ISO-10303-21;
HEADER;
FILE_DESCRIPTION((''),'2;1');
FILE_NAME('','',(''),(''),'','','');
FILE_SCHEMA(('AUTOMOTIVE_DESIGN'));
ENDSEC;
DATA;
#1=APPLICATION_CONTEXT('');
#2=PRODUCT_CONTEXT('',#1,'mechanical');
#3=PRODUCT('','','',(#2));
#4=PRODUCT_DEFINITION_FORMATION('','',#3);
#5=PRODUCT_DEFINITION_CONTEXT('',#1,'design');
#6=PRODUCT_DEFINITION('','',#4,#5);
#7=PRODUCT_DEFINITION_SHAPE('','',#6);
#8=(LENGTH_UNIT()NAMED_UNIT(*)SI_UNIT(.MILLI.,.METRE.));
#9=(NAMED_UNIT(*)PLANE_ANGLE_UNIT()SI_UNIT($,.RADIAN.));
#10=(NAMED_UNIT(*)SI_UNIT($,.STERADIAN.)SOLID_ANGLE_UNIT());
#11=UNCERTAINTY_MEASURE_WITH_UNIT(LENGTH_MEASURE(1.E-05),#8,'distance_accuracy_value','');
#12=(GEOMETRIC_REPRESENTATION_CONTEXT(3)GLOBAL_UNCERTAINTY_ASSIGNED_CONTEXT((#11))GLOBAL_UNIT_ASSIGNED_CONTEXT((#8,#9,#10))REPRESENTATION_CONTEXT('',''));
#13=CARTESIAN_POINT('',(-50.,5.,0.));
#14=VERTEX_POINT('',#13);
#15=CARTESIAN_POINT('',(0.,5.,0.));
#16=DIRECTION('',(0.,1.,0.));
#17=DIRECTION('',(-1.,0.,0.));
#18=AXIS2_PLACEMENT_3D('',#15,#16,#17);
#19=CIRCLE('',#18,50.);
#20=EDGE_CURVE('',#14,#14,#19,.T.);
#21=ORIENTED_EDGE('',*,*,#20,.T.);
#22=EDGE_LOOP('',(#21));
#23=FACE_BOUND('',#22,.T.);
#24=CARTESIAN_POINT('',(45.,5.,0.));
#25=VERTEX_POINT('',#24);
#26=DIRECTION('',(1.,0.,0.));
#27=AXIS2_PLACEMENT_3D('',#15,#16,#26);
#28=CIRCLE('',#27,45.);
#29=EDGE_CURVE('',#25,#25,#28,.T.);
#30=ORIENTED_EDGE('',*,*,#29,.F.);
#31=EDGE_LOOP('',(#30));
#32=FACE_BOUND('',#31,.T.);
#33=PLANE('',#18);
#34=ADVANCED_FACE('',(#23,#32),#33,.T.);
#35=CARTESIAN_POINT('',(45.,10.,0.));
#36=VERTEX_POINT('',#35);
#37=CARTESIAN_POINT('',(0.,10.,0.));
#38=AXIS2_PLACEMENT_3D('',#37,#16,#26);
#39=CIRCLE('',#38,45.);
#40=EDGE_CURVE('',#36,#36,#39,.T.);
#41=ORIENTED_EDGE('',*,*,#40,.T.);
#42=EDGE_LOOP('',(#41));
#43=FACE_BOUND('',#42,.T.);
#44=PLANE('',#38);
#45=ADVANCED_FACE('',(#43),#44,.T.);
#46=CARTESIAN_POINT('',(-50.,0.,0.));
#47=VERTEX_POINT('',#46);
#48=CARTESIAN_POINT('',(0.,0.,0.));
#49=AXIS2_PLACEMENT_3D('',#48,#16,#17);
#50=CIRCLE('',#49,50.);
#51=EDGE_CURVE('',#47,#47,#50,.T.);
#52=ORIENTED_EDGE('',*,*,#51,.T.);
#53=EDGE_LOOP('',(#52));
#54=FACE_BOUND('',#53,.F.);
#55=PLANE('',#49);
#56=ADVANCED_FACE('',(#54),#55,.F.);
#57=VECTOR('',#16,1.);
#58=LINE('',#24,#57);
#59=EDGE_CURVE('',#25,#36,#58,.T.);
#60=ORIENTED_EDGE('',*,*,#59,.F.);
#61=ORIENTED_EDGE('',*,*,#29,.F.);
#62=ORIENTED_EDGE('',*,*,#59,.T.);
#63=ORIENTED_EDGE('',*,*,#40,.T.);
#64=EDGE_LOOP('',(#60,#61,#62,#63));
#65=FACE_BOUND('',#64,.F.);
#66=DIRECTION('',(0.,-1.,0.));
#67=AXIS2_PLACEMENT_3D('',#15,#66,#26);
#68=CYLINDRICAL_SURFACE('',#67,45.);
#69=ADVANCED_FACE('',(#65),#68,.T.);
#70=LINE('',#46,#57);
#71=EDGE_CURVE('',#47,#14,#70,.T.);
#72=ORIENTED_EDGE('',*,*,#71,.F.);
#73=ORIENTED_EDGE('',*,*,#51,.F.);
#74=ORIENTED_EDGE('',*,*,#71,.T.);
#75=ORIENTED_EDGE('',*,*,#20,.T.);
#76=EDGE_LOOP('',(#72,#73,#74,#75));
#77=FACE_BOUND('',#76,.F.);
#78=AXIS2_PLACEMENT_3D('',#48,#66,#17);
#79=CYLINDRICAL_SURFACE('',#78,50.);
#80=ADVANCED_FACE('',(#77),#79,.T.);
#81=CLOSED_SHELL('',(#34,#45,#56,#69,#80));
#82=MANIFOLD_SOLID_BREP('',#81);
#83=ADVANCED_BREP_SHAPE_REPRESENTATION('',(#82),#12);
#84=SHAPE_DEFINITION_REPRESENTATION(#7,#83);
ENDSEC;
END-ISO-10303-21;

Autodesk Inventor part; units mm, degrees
ref_plane "YZ Plane" through (0, 0, 0) normal (1, 0, 0) x (0, 1, 0)
ref_plane "XZ Plane" through (0, 0, 0) normal (0, 1, 0) x (-1, 0, 0)
ref_plane "XY Plane" through (0, 0, 0) normal (0, 0, 1) x (1, 0, 0)
sketch "Boceto1" plane through (0, 0, 0) normal (0, 1, 0) x (-1, 0, 0)
  circle A0 centre (0, 0) radius 50
  dimension "d0" = 100
extrude "Extrusión1" add sketch "Boceto1" along normal blind 5
sketch "Boceto2" plane through (0, 5, 0) normal (0, 1, 0) x (1, 0, 0)
  circle A0 centre (0, 0) radius 45
  dimension "d3" = 90
extrude "Extrusión2" add sketch "Boceto2" along normal blind 5
thread "Rosca1" size "M75x1.5" class "6g" standard "ANSI Metric M Profile" length 5
